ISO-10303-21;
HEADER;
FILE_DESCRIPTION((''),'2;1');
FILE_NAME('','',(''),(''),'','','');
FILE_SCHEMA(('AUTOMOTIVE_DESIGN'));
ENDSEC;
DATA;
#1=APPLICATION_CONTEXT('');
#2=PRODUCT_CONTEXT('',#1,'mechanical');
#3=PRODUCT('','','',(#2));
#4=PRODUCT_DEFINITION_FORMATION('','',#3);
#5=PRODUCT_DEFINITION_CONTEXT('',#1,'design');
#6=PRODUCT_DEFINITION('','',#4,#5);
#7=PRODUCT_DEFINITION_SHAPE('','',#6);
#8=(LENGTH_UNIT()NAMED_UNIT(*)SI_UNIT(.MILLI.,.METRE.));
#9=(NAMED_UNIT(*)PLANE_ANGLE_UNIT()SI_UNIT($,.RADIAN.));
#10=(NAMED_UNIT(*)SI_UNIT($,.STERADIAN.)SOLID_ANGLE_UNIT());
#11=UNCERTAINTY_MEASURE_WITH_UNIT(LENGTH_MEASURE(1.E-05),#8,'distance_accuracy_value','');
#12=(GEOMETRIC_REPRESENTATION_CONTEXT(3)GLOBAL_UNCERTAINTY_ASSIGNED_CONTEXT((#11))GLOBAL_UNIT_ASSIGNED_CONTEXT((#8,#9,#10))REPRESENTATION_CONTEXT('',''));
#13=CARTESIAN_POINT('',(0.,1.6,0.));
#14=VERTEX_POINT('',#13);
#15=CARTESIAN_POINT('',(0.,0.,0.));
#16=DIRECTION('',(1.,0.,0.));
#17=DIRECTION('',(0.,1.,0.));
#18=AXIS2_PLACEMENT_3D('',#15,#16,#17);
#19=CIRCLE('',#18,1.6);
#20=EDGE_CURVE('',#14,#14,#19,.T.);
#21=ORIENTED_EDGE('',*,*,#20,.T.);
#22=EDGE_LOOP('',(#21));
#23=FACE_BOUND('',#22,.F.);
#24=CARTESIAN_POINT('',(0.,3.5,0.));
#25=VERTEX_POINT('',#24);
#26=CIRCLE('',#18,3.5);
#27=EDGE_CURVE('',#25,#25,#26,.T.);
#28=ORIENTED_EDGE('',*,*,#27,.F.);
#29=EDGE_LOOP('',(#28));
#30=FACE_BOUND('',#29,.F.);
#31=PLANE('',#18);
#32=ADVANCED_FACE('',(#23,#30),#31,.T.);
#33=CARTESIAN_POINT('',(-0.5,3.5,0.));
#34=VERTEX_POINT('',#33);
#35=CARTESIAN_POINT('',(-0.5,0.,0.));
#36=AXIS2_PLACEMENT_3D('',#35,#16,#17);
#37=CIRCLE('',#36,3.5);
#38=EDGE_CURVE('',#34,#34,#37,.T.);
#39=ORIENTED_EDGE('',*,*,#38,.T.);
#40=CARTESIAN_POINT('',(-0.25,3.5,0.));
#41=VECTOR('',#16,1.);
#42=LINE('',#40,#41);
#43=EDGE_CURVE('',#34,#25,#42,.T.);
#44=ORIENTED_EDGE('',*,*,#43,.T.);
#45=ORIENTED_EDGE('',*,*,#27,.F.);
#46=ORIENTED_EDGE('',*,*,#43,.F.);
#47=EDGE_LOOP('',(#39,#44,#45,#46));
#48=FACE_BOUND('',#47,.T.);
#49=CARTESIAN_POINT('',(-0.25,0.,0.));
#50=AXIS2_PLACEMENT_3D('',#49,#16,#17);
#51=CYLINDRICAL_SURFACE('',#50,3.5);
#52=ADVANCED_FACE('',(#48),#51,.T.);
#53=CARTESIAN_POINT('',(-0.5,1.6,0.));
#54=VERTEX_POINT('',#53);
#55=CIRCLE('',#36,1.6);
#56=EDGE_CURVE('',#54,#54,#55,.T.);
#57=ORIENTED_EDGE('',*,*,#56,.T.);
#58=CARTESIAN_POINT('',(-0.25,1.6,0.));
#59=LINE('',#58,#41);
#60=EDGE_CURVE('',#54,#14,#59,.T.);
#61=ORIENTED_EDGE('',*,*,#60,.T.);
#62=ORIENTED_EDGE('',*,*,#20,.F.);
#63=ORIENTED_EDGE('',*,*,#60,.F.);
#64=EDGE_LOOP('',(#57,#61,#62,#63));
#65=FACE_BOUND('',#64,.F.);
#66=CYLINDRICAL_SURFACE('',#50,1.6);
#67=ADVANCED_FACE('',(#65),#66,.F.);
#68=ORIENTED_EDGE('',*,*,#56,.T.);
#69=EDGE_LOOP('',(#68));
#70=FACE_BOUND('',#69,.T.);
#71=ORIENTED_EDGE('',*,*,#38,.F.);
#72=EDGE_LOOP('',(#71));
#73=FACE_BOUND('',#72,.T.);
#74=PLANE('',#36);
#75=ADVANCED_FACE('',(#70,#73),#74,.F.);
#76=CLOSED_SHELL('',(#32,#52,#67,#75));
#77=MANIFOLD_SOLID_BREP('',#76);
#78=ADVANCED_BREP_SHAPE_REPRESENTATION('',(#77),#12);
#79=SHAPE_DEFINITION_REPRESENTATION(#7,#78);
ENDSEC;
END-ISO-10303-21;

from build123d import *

# Parameters (mm, degrees)
SKETCH1_W = 0.5
SKETCH1_H = 1.9


with BuildPart() as part:
    # Sketch1 → Base-Revolve (revolve)
    with BuildSketch(Plane.XY):
        with Locations((-0.25, 2.55)):
            Rectangle(SKETCH1_W, SKETCH1_H)
    revolve(axis=Axis((-34.925, 0, 0), (1, 0, 0)))


solid = part.part
